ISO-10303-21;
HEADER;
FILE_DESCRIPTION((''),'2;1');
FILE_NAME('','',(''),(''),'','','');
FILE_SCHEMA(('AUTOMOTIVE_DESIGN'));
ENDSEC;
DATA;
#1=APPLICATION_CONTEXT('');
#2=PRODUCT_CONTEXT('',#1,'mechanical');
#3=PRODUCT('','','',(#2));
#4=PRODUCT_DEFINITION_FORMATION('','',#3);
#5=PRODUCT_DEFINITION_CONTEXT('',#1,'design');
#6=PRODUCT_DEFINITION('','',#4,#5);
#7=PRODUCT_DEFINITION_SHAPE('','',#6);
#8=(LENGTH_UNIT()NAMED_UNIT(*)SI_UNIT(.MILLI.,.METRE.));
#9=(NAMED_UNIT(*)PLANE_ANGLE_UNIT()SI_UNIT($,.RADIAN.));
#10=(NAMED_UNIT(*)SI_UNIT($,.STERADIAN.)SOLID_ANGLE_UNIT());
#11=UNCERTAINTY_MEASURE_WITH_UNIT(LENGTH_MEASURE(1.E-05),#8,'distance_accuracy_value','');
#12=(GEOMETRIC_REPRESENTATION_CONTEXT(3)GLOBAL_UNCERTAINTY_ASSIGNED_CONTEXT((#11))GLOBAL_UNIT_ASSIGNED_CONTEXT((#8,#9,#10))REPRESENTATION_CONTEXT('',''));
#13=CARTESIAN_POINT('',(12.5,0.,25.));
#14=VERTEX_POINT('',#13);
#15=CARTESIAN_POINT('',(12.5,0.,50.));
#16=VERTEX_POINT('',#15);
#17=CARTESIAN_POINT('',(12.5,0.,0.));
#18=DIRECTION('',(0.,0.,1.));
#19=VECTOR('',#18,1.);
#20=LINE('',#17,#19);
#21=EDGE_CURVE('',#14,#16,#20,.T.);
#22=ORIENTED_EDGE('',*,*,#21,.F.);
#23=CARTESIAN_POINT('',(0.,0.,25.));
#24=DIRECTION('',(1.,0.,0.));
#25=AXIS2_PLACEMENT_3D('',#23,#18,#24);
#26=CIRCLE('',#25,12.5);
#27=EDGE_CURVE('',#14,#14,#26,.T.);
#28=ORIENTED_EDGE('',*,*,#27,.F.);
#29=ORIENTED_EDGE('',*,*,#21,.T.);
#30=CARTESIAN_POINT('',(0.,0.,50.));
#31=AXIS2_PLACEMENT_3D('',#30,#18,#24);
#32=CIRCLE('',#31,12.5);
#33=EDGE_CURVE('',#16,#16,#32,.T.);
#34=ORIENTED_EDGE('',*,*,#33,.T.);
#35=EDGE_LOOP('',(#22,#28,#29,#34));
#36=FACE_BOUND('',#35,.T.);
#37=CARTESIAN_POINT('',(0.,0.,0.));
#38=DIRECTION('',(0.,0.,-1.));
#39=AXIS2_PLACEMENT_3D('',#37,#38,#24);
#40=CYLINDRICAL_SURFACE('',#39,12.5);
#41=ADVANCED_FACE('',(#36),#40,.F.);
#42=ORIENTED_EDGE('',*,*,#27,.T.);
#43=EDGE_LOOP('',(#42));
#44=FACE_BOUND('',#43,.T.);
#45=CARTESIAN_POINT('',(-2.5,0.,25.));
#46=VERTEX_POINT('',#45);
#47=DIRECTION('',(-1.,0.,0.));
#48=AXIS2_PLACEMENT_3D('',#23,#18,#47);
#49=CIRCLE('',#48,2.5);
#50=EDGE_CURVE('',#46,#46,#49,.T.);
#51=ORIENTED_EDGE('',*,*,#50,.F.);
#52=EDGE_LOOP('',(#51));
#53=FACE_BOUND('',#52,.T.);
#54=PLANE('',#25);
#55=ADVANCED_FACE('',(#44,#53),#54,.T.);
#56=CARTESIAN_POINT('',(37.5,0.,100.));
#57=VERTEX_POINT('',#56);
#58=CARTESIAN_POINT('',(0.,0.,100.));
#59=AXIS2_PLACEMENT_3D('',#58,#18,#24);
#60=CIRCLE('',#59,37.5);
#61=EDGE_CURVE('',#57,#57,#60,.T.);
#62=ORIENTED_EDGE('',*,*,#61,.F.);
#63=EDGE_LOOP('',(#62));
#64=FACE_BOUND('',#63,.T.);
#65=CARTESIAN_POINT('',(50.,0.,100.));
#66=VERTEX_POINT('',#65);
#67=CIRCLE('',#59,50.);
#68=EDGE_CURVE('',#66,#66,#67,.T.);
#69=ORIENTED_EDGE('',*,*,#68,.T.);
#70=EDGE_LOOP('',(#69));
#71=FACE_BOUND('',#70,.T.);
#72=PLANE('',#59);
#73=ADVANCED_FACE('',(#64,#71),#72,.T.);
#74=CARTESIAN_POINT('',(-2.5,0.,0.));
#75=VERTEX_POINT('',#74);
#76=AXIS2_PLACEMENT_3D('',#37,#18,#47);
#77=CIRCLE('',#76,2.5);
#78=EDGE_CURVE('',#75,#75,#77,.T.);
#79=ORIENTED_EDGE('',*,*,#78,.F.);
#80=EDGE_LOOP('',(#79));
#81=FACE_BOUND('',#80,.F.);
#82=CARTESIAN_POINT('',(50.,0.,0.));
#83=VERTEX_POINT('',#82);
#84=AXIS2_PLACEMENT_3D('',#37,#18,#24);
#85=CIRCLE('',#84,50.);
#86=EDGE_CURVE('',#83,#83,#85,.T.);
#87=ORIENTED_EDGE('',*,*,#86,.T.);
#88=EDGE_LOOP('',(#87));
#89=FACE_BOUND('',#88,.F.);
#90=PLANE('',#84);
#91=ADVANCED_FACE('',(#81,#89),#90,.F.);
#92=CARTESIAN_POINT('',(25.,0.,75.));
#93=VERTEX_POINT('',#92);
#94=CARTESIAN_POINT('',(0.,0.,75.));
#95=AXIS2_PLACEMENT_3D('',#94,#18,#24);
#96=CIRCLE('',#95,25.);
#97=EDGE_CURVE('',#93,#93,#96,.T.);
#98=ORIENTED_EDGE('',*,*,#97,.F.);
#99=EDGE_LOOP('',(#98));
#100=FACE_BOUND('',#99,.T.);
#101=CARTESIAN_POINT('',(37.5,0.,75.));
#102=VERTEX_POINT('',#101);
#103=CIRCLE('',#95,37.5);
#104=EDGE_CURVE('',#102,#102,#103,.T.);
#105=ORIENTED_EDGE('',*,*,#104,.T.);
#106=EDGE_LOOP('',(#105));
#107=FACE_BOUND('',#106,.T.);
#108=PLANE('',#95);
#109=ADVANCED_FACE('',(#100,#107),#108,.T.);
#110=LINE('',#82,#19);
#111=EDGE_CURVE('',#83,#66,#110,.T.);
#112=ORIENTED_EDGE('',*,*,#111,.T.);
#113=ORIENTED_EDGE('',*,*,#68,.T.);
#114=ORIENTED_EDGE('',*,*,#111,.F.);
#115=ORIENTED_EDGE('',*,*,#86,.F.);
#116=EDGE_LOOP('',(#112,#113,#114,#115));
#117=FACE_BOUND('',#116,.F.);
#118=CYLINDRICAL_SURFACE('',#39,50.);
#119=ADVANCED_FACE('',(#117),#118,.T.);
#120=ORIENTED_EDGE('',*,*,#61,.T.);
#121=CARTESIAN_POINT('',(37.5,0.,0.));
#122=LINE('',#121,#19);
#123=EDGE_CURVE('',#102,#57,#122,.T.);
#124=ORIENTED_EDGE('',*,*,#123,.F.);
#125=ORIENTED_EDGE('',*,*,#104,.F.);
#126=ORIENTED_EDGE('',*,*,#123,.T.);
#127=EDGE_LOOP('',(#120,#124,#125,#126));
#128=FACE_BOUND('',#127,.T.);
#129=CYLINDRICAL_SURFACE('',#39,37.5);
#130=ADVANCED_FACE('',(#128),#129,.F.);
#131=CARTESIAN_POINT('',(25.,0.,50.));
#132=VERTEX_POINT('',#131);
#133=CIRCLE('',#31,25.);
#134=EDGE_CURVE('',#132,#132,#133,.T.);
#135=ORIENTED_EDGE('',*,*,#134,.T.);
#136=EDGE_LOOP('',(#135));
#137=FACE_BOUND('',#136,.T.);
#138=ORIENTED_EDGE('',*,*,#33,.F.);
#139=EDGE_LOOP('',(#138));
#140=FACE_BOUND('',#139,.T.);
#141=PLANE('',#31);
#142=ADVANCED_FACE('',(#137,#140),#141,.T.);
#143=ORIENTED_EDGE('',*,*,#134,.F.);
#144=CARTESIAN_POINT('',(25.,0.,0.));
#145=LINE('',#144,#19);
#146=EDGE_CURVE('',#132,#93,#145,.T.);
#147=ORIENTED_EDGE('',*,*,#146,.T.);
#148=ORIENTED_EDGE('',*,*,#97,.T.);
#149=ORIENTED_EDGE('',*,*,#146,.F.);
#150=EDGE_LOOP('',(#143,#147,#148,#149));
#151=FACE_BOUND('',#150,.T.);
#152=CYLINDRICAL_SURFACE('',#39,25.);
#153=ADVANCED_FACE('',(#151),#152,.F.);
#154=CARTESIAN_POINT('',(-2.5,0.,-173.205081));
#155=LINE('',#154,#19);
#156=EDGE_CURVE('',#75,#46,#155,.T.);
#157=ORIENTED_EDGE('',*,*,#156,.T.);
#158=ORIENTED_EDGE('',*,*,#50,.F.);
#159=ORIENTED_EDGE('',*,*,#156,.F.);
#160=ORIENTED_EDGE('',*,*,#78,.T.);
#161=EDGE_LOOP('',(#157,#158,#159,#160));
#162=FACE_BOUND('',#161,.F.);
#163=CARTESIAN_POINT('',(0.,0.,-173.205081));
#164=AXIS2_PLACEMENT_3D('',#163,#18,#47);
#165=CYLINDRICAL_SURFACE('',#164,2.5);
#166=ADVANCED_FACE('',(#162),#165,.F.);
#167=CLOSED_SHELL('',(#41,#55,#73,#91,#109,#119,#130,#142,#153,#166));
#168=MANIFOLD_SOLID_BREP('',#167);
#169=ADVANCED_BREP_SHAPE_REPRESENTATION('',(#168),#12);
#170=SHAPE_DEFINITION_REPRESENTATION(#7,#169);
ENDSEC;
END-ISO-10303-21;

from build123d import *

# Parameters (mm, degrees)
F0_R     = 12.5
F1_DEPTH = 25
F0_R_2   = 25
F2_DEPTH = 50
F0_R_3   = 37.5
F3_DEPTH = 75
F0_R_4   = 50
F4_DEPTH = 100
F5_D     = 5


with BuildPart() as f1:
    # F0 (on Top) → F1 (new body)
    with BuildSketch(Plane.XY):
        Circle(F0_R)
    extrude(amount=F1_DEPTH)

    # F0 (on Top) → F2 (join)
    with BuildSketch(Plane.XY):
        Circle(F0_R_2)
        Circle(F0_R, mode=Mode.SUBTRACT)
    extrude(amount=F2_DEPTH)

    # F0 (on Top) → F3 (join)
    with BuildSketch(Plane.XY):
        Circle(F0_R_3)
        Circle(F0_R_2, mode=Mode.SUBTRACT)
    extrude(amount=F3_DEPTH)

    # F0 (on Top) → F4 (join)
    with BuildSketch(Plane.XY):
        Circle(F0_R_4)
        Circle(F0_R_3, mode=Mode.SUBTRACT)
    extrude(amount=F4_DEPTH)

    # F5 (through all)
    with Locations(Plane(origin=(0, 0, 0), x_dir=(1, 0, 0), z_dir=(0, 0, -1))):
        with Locations((0, 0)):
            Hole(F5_D / 2)


solid = f1.part
